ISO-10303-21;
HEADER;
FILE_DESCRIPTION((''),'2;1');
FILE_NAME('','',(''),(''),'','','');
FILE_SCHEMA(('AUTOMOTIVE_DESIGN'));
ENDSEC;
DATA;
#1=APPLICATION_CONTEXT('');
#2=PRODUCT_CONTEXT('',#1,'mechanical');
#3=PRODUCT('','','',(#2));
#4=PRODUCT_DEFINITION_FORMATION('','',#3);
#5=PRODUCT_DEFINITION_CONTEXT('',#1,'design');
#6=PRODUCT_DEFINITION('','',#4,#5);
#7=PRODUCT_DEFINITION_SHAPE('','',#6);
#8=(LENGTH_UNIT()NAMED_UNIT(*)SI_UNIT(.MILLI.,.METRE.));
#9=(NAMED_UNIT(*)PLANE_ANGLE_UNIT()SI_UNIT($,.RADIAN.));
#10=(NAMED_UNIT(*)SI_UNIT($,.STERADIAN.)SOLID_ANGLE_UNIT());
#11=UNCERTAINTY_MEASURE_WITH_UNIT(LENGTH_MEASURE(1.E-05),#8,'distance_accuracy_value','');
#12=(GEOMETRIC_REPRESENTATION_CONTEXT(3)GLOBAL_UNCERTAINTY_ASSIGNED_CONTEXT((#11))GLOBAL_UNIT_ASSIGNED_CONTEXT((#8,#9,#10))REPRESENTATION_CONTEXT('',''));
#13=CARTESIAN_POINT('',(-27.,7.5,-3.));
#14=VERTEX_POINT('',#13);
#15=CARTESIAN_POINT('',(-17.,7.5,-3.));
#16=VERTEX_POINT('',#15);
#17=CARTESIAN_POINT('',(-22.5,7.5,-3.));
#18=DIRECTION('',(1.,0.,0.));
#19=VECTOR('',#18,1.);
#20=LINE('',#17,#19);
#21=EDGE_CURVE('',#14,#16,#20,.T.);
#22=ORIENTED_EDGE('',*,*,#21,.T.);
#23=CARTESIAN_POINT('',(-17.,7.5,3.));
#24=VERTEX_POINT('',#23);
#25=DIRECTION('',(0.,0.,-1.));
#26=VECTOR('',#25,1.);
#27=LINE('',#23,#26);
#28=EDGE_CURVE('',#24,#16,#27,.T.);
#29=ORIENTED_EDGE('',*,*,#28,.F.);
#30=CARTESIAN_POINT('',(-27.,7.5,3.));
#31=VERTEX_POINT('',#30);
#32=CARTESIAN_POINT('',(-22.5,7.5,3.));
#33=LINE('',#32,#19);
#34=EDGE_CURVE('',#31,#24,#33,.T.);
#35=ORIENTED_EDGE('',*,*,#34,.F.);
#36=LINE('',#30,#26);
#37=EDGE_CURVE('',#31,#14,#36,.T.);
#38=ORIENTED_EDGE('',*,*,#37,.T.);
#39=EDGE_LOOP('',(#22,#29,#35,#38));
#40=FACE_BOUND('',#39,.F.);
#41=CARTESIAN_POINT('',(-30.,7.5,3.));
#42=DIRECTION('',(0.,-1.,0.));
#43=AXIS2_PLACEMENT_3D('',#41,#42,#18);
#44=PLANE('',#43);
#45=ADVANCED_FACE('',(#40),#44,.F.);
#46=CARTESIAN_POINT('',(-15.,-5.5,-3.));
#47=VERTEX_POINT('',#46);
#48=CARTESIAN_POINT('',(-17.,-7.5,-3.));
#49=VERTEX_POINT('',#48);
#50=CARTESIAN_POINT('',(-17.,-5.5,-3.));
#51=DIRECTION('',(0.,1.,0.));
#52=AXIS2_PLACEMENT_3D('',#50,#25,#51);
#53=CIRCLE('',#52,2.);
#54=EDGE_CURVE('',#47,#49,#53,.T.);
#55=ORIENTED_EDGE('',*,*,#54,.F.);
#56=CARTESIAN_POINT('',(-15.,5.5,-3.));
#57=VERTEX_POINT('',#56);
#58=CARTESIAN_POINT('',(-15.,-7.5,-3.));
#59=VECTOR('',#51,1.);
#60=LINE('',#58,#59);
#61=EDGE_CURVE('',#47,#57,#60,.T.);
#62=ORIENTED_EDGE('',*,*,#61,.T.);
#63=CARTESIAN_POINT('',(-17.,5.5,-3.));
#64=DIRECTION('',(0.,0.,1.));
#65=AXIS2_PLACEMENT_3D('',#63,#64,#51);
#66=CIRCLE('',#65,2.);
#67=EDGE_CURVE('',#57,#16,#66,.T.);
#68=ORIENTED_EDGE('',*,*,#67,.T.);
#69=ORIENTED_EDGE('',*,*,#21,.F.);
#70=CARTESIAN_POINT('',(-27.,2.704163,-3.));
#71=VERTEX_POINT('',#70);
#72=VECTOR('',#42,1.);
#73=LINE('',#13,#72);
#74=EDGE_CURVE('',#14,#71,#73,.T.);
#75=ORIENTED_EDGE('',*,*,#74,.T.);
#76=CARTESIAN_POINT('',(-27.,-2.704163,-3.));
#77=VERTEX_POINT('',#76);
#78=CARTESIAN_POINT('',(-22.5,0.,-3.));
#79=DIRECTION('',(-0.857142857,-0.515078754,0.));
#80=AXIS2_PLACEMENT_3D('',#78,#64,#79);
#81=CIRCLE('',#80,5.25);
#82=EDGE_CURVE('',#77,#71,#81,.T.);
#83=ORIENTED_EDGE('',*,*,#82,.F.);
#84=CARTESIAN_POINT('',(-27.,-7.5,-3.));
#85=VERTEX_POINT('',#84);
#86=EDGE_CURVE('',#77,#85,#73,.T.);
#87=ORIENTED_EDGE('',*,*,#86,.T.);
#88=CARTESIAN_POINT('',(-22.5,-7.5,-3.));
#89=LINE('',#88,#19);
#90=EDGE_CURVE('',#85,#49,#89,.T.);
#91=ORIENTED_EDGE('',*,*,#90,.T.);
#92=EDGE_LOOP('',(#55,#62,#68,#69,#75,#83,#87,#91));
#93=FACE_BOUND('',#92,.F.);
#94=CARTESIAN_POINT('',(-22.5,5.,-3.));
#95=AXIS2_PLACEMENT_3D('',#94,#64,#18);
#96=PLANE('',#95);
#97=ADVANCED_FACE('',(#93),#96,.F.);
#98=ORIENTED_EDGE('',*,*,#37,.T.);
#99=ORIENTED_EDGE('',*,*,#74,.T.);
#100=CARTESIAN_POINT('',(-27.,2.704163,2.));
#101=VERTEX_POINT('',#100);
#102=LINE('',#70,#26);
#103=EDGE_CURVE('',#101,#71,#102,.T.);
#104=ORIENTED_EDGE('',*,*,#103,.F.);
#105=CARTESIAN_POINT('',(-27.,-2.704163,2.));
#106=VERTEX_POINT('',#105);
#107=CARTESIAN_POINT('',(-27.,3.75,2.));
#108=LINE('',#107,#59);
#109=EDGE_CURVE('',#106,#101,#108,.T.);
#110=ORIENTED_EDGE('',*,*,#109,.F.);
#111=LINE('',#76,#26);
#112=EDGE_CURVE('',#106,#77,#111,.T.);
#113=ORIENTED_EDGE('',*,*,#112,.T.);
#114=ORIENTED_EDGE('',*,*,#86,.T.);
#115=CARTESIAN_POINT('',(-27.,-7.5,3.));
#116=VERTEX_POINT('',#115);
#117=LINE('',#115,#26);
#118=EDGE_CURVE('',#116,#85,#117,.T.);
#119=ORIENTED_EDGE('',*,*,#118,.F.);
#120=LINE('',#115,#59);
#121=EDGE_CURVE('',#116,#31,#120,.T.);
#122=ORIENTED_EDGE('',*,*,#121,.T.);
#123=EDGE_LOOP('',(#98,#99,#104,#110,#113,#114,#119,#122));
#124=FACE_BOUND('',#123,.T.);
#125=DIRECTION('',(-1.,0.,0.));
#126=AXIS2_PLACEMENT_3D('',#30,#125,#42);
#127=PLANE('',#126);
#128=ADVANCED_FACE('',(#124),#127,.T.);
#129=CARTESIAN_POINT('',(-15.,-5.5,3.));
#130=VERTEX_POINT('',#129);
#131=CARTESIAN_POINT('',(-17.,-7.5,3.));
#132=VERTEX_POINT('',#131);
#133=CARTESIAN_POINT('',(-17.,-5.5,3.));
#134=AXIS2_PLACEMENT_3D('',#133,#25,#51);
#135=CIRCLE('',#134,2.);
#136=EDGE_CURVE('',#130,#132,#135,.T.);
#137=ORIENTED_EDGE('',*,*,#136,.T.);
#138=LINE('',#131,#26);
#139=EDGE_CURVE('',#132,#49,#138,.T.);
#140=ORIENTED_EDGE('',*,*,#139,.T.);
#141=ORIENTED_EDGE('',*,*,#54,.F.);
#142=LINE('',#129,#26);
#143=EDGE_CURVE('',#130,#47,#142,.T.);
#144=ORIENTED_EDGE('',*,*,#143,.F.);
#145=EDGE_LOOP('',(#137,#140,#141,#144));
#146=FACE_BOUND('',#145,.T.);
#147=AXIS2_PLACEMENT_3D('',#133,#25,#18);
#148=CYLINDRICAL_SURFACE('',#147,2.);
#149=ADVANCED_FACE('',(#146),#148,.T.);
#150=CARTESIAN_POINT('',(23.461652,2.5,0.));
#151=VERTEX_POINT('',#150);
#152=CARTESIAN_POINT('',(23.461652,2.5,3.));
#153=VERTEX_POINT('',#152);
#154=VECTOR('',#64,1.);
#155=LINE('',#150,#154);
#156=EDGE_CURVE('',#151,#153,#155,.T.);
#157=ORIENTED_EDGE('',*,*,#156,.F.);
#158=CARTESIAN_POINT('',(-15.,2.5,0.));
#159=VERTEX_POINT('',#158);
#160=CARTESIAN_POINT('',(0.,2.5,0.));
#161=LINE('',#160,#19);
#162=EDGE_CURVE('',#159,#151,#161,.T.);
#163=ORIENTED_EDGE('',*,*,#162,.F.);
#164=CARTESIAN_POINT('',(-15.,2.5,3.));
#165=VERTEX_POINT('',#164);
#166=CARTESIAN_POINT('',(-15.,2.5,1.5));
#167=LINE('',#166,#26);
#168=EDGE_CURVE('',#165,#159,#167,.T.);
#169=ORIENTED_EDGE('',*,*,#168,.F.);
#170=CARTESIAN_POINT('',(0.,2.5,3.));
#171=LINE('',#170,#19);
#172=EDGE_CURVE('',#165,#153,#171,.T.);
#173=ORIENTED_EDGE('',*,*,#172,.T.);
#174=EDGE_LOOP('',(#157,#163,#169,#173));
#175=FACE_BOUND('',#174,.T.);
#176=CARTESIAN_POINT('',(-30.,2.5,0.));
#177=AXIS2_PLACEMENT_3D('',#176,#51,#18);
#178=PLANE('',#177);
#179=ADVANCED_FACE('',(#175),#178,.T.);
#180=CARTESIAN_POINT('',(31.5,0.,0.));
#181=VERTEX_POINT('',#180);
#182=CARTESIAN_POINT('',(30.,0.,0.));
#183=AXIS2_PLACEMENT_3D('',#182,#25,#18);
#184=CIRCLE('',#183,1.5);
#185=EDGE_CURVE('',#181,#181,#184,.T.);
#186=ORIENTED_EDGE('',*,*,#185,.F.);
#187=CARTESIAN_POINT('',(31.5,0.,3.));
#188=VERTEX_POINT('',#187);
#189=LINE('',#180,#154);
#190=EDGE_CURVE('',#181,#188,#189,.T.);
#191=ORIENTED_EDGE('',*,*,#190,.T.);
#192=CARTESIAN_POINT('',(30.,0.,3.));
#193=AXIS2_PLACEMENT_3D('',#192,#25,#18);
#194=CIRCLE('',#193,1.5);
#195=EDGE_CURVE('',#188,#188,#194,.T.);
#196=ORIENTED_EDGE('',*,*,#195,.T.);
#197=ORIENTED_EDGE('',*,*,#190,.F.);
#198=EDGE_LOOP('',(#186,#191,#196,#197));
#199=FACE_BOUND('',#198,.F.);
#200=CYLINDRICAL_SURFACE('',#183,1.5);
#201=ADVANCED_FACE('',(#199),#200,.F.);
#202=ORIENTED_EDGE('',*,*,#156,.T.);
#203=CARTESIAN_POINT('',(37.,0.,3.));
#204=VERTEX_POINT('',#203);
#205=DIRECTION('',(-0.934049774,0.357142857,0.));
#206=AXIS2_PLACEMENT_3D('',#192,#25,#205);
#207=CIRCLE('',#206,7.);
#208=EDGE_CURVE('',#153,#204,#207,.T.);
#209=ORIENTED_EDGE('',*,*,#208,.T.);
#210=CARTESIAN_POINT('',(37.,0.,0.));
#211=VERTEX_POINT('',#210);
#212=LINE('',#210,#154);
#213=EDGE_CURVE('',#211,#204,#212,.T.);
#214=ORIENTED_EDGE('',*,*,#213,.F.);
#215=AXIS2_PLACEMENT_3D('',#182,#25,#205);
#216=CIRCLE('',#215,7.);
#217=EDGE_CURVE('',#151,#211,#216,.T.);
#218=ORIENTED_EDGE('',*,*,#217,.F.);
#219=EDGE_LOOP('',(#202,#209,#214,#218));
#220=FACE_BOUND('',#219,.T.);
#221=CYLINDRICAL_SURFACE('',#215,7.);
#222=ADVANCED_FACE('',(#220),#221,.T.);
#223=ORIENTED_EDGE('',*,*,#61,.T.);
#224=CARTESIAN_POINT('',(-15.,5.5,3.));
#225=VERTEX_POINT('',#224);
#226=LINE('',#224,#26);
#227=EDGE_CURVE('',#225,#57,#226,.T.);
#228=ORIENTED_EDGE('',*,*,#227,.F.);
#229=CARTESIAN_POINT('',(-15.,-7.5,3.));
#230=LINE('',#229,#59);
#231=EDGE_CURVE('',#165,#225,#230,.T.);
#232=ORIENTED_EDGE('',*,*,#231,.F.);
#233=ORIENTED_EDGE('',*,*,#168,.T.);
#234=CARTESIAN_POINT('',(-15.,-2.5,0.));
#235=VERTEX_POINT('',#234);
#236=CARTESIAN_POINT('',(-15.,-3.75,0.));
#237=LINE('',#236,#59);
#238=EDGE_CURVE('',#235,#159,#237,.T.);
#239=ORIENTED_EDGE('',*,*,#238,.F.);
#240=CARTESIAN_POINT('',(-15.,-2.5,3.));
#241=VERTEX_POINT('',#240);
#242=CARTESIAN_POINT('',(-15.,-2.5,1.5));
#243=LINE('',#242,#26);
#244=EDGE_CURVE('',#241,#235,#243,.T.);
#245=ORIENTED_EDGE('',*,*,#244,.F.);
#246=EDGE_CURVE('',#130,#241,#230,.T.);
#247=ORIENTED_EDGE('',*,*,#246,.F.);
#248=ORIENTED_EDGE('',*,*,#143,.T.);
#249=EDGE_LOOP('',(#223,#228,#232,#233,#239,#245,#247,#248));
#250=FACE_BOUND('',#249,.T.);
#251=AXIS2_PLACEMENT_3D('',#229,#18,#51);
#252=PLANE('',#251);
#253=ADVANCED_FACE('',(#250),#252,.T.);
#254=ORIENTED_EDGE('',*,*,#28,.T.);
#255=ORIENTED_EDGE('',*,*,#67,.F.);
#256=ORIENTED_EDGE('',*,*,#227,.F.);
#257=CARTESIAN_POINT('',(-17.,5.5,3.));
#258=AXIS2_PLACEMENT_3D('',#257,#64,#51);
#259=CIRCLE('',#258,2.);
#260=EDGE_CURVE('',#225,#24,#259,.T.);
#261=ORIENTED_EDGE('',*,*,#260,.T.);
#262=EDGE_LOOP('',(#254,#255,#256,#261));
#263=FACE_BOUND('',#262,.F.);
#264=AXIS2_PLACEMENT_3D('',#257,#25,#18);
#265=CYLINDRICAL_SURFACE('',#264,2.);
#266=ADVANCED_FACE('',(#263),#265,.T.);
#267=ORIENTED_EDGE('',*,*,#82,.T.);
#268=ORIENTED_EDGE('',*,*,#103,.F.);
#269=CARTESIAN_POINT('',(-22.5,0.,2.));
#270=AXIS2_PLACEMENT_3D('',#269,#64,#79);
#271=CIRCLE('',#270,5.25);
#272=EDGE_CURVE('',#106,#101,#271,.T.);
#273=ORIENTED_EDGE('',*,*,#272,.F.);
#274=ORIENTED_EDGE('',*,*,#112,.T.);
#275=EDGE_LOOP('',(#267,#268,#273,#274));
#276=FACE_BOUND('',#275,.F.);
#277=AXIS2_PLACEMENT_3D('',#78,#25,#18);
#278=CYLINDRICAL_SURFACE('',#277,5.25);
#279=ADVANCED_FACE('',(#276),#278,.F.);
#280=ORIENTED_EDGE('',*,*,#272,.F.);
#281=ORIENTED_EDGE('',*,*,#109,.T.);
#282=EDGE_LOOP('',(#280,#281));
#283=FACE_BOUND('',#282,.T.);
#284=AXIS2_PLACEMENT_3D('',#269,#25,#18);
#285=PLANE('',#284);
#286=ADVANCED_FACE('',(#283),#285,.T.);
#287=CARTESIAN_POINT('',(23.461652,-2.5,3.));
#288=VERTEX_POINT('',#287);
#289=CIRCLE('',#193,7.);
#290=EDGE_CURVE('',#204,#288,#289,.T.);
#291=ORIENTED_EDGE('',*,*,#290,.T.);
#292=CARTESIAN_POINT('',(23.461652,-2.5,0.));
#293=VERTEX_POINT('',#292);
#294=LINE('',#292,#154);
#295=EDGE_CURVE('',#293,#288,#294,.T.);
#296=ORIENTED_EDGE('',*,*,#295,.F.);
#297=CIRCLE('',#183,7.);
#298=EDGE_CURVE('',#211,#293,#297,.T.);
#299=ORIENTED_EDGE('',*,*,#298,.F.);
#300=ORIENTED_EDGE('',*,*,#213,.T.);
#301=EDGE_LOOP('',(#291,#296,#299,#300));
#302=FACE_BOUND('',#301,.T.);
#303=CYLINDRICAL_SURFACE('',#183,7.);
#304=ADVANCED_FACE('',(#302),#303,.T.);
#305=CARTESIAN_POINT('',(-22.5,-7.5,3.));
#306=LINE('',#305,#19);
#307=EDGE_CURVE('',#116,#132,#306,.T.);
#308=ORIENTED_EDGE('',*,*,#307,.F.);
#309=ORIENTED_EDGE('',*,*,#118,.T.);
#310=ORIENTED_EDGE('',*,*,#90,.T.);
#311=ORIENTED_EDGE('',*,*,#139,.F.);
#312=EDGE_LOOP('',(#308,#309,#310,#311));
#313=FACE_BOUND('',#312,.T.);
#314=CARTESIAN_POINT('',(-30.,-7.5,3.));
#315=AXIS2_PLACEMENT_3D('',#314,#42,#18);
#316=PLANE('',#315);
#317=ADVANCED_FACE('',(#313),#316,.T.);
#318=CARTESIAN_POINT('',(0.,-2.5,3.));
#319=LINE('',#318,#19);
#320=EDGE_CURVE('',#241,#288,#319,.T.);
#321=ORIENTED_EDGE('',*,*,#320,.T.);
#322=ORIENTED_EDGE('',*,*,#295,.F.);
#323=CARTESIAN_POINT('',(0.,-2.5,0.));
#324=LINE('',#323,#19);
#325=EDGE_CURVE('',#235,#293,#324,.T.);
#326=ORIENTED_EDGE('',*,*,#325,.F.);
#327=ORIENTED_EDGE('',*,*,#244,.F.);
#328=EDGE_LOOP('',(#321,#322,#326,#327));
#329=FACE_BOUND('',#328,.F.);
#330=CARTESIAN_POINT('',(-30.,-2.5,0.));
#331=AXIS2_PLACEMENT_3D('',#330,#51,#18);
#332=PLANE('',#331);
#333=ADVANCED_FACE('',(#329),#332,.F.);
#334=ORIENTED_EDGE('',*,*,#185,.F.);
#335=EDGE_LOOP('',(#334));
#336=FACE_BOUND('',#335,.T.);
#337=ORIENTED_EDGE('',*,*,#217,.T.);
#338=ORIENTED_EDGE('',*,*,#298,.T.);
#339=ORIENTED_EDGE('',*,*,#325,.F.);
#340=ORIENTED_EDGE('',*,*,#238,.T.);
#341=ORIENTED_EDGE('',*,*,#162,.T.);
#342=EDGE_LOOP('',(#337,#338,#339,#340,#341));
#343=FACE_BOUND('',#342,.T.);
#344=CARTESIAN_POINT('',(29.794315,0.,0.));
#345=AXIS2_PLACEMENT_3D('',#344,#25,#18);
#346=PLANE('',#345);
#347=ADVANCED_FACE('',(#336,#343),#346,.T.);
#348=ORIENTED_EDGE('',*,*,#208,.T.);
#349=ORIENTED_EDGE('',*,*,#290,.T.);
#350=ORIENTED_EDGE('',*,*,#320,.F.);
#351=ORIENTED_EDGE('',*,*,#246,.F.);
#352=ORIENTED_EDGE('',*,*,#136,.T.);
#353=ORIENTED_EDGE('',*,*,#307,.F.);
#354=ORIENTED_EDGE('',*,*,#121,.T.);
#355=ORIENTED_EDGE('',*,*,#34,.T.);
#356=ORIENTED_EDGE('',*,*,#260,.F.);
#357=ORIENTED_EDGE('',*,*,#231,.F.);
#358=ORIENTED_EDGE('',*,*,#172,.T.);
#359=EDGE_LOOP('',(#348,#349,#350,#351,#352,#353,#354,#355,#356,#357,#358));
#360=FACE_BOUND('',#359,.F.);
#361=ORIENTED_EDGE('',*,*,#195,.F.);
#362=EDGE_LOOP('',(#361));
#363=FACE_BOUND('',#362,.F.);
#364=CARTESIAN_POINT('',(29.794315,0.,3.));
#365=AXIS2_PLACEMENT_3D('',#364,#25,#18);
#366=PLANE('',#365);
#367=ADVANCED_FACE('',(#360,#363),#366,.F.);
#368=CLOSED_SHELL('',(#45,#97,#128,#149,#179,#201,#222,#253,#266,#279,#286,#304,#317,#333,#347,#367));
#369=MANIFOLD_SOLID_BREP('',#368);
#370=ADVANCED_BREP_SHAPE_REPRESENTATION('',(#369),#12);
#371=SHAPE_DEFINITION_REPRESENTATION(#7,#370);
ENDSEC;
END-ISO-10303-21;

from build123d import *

# Parameters (mm, degrees)
F0_W      = 60
F0_H      = 5
F1_DEPTH  = 3
F2_W      = 15
F2_H      = 5
F3_DEPTH  = 6
F4_R      = 5.25
F5_DEPTH  = 5
F6_DEPTH  = 3
F8_DEPTH  = 3
F9_R      = 1.5
F10_DEPTH = 25
F11_R     = 2


with BuildPart() as f1:
    # F0 (on Top) → F1 (new body)
    with BuildSketch(Plane.XY):
        Rectangle(F0_W, F0_H)
    extrude(amount=F1_DEPTH)

    # F2 (on face) → F3 (join)
    with BuildSketch(Plane.XY.offset(3)):
        with Locations((-22.5, 5)):
            Rectangle(F2_W, F2_H)
        with Locations((-22.5, 0)):
            Rectangle(F2_W, F2_H)
        with Locations((-22.5, -5)):
            Rectangle(F2_W, F2_H)
    extrude(amount=-F3_DEPTH)

    # F4 (on face) → F5 (cut)
    with BuildSketch(Plane(origin=(0, 0, -3), x_dir=(1, 0, 0), z_dir=(0, 0, -1))):
        with Locations((-22.5, 0)):
            Circle(F4_R)
    extrude(amount=-F5_DEPTH, mode=Mode.SUBTRACT)

    # F6 (cut): a face of the model
    f6_faces = [f1.faces().sort_by_distance(p)[0] for p in [
        (-30, 0, 0),
    ]]
    extrude(f6_faces, amount=-F6_DEPTH, mode=Mode.SUBTRACT)

    # F7 (on face) → F8 (join)
    with BuildSketch(Plane(origin=(0, 0, 0), x_dir=(1, 0, 0), z_dir=(0, 0, -1))):
        with BuildLine():
            ThreePointArc((23.4616515847, -2.5), (31.2711335675, -6.8836196477), (37, 0))
            ThreePointArc((37, 0), (31.2711335675, 6.8836196477), (23.4616515847, 2.5))
            Line((23.4616515847, 2.5), (30, 2.5))
            Line((30, 2.5), (30, -2.5))
            Line((30, -2.5), (23.4616515847, -2.5))
        make_face()
        with BuildLine():
            Line((30, 2.5), (23.4616515847, 2.5))
            ThreePointArc((23.4616515847, 2.5), (23, 0), (23.4616515847, -2.5))
            Line((23.4616515847, -2.5), (30, -2.5))
            Line((30, -2.5), (30, 2.5))
        make_face()
    extrude(amount=-F8_DEPTH)

    # F9 (on face) → F10 (cut)
    with BuildSketch(Plane(origin=(0, 0, 0), x_dir=(1, 0, 0), z_dir=(0, 0, -1))):
        with Locations((30, 0)):
            Circle(F9_R)
    extrude(amount=-F10_DEPTH, mode=Mode.SUBTRACT)

    # F11
    f11_edges = [f1.edges().sort_by_distance(p)[0] for p in [
        (-15, -7.5, 0),
        (-15, 7.5, 0),
    ]]
    fillet(f11_edges, radius=F11_R)


solid = f1.part
